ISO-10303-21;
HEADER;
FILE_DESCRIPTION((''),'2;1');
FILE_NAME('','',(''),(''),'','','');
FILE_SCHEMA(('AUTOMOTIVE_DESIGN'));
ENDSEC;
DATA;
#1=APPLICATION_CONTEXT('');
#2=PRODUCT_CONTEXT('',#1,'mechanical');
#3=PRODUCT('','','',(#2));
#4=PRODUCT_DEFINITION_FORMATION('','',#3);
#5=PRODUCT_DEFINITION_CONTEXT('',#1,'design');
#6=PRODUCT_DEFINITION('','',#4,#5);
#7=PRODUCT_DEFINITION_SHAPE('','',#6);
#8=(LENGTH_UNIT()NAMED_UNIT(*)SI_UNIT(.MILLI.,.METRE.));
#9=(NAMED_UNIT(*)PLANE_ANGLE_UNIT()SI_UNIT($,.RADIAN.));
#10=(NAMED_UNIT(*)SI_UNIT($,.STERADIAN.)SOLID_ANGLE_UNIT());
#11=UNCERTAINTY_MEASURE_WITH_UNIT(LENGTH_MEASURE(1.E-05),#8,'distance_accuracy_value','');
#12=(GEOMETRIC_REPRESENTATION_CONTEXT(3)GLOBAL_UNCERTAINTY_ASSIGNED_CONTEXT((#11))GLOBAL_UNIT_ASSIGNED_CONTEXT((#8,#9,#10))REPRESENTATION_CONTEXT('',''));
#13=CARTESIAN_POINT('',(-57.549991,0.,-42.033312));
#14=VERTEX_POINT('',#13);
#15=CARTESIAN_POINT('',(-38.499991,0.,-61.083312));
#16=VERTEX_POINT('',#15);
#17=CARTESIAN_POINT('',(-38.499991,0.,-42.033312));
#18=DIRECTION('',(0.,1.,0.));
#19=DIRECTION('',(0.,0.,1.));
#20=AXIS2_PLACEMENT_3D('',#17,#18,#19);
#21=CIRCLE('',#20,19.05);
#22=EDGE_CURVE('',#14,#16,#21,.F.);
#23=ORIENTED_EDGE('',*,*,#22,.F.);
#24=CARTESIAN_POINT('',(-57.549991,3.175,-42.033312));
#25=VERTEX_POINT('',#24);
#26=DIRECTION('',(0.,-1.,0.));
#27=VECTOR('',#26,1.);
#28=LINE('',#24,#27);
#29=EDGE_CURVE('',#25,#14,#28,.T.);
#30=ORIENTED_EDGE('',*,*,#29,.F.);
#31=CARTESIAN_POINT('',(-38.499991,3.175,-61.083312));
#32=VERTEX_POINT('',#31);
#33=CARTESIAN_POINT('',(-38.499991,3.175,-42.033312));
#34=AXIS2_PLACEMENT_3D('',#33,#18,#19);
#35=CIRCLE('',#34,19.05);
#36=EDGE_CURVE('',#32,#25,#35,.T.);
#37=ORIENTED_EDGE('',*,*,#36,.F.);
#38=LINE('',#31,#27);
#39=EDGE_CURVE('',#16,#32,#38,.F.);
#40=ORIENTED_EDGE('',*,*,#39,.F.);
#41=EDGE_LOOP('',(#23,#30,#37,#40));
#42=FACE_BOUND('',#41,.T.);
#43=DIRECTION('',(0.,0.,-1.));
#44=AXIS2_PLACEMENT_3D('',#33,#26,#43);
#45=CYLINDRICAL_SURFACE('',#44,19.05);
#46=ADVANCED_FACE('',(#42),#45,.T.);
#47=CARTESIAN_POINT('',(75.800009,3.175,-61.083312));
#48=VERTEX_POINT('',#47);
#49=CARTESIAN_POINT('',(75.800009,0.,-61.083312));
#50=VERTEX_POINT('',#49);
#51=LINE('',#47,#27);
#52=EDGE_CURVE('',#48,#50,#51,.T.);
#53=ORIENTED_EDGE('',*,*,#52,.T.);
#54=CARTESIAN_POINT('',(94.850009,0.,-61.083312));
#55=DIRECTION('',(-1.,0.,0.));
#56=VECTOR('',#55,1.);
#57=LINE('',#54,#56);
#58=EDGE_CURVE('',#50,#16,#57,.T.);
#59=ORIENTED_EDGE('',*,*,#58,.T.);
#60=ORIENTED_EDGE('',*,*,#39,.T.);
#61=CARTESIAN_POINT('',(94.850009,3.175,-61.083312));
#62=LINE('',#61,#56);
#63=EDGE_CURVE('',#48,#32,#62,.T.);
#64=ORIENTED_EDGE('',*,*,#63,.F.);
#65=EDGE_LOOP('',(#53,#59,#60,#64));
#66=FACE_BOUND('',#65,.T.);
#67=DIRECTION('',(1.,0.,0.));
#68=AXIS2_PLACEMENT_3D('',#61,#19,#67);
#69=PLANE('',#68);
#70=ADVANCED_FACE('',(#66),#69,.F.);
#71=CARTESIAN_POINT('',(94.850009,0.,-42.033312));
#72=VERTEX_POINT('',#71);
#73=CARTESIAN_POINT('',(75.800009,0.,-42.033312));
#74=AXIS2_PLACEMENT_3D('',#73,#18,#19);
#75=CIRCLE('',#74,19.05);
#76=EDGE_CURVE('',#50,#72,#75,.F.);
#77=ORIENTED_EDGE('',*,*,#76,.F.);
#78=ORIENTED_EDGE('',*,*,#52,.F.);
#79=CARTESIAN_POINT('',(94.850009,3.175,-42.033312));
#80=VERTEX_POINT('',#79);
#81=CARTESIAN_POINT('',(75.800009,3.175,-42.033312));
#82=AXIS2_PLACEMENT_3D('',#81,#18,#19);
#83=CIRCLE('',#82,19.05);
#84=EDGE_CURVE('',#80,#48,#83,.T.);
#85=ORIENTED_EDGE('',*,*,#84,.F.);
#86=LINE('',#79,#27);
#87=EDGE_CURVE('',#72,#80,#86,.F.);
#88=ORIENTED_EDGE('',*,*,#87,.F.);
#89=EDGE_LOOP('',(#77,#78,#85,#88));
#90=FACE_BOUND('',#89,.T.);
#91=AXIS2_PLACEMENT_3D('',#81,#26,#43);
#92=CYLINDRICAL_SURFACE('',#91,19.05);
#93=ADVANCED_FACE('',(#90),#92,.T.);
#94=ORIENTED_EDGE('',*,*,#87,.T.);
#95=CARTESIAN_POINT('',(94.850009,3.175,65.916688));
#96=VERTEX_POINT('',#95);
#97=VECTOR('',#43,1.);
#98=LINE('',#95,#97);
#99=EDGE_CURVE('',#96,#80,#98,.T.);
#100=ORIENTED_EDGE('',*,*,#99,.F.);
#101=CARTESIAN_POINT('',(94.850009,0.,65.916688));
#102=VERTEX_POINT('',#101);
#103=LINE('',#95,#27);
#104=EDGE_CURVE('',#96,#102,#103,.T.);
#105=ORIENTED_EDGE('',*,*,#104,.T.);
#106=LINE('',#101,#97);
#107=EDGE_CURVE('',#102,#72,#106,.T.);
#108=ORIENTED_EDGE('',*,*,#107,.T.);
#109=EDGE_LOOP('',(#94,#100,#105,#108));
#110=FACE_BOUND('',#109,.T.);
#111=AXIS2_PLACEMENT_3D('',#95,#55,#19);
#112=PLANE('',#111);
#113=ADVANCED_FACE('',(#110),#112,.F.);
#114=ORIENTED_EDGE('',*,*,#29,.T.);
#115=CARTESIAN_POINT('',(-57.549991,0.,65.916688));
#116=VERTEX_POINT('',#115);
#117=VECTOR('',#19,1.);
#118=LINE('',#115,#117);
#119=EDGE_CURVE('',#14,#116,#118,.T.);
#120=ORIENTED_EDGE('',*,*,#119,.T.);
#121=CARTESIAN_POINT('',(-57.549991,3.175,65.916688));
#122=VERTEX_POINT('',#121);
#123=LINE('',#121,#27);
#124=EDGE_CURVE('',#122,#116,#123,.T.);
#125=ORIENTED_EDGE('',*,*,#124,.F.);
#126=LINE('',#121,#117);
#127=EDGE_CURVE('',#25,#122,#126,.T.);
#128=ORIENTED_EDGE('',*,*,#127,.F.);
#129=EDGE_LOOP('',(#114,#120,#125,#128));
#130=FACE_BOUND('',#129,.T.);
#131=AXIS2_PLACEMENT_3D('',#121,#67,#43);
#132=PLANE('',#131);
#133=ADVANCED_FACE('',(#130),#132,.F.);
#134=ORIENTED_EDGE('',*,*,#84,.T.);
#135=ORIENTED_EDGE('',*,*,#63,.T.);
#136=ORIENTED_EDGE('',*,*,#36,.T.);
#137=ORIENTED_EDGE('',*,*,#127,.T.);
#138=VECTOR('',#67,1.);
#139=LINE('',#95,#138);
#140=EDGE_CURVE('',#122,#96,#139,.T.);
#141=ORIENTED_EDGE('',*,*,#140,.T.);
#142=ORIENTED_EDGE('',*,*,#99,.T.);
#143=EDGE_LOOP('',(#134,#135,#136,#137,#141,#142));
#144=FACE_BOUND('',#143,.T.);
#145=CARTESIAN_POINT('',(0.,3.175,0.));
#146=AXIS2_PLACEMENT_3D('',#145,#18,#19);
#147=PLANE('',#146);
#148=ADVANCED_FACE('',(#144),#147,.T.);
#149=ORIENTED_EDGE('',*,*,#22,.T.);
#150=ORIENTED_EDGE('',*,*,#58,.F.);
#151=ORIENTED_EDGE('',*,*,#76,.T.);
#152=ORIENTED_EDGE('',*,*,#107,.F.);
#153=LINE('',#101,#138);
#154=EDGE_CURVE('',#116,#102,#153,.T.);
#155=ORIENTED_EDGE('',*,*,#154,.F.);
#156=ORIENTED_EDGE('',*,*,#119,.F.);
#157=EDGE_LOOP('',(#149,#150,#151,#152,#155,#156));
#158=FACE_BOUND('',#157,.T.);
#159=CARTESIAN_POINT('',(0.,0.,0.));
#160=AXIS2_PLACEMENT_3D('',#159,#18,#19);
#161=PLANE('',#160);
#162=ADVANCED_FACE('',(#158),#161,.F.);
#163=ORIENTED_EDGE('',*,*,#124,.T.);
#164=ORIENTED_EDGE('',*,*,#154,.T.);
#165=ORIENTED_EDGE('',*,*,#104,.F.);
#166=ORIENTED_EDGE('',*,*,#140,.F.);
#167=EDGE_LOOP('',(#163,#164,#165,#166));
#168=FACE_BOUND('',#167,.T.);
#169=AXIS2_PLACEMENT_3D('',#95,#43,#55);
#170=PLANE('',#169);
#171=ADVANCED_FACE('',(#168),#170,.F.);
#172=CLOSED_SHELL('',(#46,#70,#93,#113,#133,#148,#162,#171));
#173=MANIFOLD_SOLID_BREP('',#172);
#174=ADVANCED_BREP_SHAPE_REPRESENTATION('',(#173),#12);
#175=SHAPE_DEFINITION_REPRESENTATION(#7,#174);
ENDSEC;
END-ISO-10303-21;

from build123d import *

# Parameters (mm, degrees)
SKETCH1_W           = 152.4
SKETCH1_H           = 127
BOSS_EXTRUDE1_DEPTH = 3.175
FILLET1_R           = 19.05
FILLET2_R           = 19.05


with BuildPart() as part:
    # Sketch1 → Boss-Extrude1 (new body)
    with BuildSketch(Plane(origin=(0, 0, 0), x_dir=(1, 0, 0), z_dir=(0, 1, 0))):
        with Locations((18.650008827, -2.416687905)):
            Rectangle(SKETCH1_W, SKETCH1_H)
    extrude(amount=BOSS_EXTRUDE1_DEPTH)

    # Fillet1
    fillet1_edges = [part.edges().sort_by_distance(p)[0] for p in [
        (-57.549991173, 1.5875, -61.083312095),
    ]]
    fillet(fillet1_edges, radius=FILLET1_R)

    # Fillet2
    fillet2_edges = [part.edges().sort_by_distance(p)[0] for p in [
        (94.850008827, 1.5875, -61.083312095),
    ]]
    fillet(fillet2_edges, radius=FILLET2_R)


solid = part.part
